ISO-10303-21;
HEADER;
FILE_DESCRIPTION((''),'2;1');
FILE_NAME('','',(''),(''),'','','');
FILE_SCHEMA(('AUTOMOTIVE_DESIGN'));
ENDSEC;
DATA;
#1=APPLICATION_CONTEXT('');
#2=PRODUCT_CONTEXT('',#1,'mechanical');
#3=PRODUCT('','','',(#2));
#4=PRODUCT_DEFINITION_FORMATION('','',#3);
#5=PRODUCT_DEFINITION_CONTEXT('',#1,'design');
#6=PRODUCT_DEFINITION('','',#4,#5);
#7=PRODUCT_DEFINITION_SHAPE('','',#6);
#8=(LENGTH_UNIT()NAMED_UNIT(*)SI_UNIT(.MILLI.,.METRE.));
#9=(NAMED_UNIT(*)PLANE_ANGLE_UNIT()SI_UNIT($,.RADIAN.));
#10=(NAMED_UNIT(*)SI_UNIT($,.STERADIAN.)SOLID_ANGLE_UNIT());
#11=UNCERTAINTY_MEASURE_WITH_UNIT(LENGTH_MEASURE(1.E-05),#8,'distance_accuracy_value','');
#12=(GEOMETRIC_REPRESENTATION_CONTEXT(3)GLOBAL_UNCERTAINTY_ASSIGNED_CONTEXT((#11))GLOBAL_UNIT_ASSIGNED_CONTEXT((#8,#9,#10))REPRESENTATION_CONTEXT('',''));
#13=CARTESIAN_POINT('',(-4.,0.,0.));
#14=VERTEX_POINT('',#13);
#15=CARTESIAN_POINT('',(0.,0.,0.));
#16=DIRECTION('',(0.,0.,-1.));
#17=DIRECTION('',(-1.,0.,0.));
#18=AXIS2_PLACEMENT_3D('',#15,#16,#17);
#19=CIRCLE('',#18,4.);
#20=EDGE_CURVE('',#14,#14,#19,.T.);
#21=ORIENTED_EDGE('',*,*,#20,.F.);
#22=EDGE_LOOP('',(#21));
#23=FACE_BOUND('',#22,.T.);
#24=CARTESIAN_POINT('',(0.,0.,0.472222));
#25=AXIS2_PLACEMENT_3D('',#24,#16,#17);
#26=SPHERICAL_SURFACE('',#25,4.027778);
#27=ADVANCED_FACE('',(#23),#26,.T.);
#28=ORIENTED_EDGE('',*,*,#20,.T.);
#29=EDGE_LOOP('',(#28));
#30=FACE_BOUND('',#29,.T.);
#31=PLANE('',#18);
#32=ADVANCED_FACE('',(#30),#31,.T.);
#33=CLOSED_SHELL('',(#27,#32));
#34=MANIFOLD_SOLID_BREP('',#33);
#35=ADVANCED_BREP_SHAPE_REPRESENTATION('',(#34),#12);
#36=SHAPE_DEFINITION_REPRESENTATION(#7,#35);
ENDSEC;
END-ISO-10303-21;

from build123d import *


with BuildPart() as part:
    # Эскиз1 → Повернуть1 (revolve)
    with BuildSketch(Plane(origin=(0, 0, 0), x_dir=(1, 0, 0), z_dir=(0, 1, 0))):
        with BuildLine():
            Line((0, 0), (0, -4.5))
            ThreePointArc((0, -4.5), (-3.010398645, -3.148132129), (-4, 0))
            Line((-4, 0), (0, 0))
        make_face()
    revolve(axis=Axis((0, 0, 0), (0, 0, 1)))


solid = part.part
